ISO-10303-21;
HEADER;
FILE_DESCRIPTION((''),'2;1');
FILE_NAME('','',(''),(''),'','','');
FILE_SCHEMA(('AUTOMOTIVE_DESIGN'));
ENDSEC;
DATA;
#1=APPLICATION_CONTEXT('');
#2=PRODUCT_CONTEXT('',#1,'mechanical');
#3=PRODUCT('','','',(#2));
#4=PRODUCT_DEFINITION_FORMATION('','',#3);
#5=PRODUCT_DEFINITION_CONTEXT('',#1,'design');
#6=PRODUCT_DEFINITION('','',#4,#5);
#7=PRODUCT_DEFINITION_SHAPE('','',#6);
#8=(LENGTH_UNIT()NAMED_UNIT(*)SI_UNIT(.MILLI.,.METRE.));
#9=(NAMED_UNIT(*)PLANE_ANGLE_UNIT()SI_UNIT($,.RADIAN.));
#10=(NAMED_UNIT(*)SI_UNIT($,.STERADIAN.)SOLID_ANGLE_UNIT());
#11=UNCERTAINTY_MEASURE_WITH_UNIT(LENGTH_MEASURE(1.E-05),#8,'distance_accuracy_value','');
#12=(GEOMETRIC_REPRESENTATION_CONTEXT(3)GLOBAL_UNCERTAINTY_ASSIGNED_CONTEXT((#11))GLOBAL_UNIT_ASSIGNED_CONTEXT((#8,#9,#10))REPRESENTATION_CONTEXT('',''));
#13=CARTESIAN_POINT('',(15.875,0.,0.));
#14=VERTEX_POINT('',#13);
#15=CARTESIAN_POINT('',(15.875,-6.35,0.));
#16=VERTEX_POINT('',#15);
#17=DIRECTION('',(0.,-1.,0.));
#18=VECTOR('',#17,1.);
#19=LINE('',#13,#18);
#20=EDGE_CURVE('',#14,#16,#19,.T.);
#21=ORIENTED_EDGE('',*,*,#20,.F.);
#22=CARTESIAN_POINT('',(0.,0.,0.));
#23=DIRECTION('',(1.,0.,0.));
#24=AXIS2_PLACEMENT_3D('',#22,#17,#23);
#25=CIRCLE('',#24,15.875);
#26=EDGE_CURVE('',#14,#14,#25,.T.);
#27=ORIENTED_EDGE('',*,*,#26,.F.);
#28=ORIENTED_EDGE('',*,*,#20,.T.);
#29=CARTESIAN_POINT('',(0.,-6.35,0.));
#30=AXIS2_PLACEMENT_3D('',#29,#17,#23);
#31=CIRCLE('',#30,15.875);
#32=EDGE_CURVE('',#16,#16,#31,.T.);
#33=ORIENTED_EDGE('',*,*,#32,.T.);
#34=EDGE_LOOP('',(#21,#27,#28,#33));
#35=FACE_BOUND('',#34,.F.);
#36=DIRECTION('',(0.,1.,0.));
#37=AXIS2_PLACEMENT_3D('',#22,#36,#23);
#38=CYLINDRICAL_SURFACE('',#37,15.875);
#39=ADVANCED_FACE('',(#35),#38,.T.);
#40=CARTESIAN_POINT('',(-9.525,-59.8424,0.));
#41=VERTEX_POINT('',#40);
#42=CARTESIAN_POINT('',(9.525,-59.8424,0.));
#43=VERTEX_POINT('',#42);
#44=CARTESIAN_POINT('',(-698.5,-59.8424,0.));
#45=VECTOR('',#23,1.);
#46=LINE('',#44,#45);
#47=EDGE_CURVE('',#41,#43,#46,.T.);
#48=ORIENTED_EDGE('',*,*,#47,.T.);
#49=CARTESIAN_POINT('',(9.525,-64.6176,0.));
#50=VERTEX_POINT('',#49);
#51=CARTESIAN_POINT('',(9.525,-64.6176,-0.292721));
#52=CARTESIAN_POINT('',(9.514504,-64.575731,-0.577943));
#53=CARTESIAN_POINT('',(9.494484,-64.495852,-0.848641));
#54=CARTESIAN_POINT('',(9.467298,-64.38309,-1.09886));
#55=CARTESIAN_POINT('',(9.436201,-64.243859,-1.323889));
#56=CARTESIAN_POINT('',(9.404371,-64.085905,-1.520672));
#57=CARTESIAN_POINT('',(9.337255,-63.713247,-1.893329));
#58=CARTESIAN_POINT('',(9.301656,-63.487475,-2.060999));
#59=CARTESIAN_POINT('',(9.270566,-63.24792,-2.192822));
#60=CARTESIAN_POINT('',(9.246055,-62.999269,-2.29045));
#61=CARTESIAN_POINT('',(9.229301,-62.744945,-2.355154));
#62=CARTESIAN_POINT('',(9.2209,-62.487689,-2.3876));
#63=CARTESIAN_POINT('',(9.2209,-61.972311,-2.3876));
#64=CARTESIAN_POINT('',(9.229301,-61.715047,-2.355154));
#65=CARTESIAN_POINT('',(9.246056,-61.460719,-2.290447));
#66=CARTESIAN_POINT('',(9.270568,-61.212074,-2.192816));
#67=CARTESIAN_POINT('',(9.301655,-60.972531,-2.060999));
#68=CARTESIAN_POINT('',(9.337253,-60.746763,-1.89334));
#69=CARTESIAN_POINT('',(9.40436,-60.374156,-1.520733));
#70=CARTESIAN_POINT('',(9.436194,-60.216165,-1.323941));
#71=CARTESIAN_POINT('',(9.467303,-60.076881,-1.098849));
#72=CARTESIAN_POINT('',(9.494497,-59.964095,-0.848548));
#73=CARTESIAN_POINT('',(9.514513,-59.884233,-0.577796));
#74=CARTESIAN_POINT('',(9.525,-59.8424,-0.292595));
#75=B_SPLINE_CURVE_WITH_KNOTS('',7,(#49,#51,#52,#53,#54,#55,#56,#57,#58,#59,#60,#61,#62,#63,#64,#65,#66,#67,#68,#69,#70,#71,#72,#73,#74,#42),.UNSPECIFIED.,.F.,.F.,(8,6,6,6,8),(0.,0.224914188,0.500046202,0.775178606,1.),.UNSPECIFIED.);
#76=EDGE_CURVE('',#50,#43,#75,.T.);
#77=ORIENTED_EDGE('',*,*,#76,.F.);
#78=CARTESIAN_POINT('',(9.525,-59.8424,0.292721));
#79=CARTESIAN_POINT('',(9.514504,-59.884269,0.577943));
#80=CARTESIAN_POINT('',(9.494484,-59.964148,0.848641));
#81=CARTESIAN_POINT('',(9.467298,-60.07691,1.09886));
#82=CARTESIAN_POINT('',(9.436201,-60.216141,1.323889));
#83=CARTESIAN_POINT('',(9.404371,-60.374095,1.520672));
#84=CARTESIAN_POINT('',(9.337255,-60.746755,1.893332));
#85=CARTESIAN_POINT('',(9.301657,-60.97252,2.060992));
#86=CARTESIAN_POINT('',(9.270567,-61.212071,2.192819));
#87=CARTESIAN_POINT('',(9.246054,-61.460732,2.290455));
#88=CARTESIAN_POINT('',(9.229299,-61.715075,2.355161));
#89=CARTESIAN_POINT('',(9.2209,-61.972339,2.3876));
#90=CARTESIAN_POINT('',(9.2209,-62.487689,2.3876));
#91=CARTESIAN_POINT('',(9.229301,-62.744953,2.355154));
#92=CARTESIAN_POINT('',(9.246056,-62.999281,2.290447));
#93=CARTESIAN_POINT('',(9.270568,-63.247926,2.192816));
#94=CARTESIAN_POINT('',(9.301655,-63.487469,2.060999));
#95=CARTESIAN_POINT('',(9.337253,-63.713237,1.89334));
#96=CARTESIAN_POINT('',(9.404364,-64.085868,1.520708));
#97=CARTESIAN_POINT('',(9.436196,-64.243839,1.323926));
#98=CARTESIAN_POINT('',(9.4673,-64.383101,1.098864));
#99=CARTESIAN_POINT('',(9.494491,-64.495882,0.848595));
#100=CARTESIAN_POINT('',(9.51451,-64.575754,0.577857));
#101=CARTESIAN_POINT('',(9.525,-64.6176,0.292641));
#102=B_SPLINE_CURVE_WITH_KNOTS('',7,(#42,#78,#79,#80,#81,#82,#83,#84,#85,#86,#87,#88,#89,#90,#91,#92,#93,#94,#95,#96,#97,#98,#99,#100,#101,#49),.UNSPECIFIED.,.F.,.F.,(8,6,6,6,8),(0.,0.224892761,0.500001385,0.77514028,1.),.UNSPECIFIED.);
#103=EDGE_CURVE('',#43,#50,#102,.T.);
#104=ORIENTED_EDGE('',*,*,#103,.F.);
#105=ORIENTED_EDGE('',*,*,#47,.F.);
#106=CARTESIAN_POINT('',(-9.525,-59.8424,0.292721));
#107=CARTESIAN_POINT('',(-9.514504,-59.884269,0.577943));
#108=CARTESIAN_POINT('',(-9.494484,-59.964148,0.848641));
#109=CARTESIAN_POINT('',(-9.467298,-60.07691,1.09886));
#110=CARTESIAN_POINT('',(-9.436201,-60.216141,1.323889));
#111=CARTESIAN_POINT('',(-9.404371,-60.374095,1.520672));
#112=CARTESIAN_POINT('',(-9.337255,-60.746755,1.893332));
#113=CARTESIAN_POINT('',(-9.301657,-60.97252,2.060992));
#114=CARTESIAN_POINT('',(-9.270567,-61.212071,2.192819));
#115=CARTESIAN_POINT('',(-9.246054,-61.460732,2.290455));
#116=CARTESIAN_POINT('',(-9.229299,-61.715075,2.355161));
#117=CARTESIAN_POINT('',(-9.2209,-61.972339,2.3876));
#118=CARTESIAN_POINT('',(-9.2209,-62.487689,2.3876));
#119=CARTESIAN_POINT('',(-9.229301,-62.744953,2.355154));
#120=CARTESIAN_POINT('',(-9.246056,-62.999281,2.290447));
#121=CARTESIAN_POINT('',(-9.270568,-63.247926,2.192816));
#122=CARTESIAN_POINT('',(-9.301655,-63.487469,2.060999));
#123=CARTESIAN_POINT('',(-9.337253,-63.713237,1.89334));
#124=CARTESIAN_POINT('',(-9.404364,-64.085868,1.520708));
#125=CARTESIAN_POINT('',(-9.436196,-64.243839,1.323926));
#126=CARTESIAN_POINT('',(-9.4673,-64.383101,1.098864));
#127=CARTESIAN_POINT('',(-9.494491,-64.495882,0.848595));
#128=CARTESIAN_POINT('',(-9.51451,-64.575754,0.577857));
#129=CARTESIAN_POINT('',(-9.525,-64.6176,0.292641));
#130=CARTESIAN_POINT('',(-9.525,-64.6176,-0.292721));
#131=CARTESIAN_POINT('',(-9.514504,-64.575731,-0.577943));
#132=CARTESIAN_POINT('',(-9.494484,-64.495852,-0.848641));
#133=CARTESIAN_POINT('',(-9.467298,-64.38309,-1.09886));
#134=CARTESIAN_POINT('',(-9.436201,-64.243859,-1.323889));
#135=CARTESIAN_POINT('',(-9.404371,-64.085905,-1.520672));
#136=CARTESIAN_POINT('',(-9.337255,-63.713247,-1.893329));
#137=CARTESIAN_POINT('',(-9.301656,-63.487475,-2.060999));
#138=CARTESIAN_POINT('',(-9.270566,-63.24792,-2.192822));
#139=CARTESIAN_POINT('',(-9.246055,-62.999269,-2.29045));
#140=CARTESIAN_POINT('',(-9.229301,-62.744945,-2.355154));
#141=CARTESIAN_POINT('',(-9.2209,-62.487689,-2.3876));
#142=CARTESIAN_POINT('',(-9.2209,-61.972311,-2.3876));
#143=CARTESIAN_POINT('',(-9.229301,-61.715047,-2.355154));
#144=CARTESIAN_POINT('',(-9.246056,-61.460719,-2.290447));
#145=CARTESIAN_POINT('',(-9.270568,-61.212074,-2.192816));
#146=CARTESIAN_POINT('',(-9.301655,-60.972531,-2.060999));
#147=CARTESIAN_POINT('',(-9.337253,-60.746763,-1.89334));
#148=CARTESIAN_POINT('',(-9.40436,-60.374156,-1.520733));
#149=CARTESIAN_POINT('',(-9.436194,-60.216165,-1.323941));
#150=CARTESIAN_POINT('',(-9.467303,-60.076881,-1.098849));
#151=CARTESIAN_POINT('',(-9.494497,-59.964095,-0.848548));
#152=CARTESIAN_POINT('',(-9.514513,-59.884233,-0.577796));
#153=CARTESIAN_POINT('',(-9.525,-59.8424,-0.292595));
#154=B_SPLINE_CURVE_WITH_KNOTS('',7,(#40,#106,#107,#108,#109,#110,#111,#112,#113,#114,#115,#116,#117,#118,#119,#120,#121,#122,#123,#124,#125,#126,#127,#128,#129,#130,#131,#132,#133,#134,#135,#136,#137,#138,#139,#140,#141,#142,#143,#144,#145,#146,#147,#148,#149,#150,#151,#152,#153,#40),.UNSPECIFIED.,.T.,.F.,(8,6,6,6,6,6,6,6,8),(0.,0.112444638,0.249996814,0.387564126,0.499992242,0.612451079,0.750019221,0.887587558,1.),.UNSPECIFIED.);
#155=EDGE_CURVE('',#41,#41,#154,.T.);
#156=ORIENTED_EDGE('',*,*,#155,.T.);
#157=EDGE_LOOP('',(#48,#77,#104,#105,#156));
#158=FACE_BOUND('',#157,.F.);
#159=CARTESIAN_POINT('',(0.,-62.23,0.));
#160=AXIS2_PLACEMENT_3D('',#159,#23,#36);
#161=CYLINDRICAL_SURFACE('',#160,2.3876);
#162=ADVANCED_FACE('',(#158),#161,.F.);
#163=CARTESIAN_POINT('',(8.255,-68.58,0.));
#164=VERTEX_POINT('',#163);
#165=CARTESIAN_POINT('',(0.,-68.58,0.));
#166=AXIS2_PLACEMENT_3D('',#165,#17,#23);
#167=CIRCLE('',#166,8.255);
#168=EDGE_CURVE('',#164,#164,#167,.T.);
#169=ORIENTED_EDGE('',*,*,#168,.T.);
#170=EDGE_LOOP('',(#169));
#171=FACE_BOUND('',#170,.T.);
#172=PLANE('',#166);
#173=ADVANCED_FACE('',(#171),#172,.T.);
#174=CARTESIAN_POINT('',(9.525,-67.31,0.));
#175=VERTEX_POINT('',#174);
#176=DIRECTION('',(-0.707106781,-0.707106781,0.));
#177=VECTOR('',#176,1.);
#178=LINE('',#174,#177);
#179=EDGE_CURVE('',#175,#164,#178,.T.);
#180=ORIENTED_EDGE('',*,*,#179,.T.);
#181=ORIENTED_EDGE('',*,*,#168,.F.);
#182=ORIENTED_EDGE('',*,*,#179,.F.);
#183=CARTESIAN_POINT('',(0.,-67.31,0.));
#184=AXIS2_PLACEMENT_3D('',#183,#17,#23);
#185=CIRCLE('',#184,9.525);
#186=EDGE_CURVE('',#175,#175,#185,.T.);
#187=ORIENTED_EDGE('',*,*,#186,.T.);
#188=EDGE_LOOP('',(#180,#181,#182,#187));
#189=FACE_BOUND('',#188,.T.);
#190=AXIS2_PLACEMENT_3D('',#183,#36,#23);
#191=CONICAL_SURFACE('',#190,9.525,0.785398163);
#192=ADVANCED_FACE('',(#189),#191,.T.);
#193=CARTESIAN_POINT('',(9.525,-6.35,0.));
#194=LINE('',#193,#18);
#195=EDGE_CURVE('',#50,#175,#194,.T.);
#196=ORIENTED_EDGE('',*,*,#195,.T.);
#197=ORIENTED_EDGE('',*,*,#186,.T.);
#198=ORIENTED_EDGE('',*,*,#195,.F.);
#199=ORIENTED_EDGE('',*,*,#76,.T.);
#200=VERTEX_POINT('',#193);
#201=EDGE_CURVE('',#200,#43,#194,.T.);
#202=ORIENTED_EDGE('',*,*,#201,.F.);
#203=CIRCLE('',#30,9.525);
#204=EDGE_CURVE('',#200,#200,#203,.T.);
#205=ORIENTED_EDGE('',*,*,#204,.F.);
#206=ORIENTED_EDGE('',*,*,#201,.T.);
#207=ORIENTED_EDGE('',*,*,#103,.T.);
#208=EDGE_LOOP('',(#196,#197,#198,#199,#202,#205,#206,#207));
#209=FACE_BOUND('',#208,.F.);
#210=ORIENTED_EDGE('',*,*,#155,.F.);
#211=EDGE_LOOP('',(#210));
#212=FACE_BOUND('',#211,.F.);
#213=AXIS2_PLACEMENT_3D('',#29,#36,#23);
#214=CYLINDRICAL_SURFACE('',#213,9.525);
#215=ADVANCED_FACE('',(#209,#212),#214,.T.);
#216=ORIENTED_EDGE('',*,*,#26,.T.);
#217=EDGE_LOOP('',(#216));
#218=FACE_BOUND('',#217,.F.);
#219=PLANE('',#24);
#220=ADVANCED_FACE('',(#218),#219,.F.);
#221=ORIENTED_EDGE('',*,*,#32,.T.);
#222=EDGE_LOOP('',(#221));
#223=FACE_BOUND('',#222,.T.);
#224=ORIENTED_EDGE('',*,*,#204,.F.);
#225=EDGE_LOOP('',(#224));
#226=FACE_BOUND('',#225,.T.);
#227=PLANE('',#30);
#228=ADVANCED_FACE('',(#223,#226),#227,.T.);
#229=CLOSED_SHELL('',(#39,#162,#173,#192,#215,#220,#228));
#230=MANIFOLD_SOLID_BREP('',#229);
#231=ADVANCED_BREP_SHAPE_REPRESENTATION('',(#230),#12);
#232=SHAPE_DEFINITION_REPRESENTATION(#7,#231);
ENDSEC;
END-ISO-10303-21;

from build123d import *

# Parameters (mm, degrees)
F0_R     = 15.875
F1_DEPTH = 6.35
F2_R     = 9.525
F3_DEPTH = 62.23
F4_SIZE2 = 1.27
F4_SIZE  = 1.27
F5_R     = 2.3876
F6_DEPTH = 698.5


with BuildPart() as f1:
    # F0 (on Front) → F1 (new body)
    with BuildSketch(Plane.XZ):
        Circle(F0_R)
    extrude(amount=F1_DEPTH)

    # F2 (on face) → F3 (join)
    with BuildSketch(Plane.XZ.offset(6.35)):
        Circle(F2_R)
    extrude(amount=F3_DEPTH)

    # F4
    f4_edges = [f1.edges().sort_by_distance(p)[0] for p in [
        (-9.525, -68.58, 0),
    ]]
    chamfer(f4_edges, length=F4_SIZE, length2=F4_SIZE2)

    # F5 (on Right) → F6 (cut, symmetric)
    with BuildSketch(Plane.YZ):
        with Locations((-62.23, 0)):
            Circle(F5_R)
    extrude(amount=F6_DEPTH, both=True, mode=Mode.SUBTRACT)


solid = f1.part
